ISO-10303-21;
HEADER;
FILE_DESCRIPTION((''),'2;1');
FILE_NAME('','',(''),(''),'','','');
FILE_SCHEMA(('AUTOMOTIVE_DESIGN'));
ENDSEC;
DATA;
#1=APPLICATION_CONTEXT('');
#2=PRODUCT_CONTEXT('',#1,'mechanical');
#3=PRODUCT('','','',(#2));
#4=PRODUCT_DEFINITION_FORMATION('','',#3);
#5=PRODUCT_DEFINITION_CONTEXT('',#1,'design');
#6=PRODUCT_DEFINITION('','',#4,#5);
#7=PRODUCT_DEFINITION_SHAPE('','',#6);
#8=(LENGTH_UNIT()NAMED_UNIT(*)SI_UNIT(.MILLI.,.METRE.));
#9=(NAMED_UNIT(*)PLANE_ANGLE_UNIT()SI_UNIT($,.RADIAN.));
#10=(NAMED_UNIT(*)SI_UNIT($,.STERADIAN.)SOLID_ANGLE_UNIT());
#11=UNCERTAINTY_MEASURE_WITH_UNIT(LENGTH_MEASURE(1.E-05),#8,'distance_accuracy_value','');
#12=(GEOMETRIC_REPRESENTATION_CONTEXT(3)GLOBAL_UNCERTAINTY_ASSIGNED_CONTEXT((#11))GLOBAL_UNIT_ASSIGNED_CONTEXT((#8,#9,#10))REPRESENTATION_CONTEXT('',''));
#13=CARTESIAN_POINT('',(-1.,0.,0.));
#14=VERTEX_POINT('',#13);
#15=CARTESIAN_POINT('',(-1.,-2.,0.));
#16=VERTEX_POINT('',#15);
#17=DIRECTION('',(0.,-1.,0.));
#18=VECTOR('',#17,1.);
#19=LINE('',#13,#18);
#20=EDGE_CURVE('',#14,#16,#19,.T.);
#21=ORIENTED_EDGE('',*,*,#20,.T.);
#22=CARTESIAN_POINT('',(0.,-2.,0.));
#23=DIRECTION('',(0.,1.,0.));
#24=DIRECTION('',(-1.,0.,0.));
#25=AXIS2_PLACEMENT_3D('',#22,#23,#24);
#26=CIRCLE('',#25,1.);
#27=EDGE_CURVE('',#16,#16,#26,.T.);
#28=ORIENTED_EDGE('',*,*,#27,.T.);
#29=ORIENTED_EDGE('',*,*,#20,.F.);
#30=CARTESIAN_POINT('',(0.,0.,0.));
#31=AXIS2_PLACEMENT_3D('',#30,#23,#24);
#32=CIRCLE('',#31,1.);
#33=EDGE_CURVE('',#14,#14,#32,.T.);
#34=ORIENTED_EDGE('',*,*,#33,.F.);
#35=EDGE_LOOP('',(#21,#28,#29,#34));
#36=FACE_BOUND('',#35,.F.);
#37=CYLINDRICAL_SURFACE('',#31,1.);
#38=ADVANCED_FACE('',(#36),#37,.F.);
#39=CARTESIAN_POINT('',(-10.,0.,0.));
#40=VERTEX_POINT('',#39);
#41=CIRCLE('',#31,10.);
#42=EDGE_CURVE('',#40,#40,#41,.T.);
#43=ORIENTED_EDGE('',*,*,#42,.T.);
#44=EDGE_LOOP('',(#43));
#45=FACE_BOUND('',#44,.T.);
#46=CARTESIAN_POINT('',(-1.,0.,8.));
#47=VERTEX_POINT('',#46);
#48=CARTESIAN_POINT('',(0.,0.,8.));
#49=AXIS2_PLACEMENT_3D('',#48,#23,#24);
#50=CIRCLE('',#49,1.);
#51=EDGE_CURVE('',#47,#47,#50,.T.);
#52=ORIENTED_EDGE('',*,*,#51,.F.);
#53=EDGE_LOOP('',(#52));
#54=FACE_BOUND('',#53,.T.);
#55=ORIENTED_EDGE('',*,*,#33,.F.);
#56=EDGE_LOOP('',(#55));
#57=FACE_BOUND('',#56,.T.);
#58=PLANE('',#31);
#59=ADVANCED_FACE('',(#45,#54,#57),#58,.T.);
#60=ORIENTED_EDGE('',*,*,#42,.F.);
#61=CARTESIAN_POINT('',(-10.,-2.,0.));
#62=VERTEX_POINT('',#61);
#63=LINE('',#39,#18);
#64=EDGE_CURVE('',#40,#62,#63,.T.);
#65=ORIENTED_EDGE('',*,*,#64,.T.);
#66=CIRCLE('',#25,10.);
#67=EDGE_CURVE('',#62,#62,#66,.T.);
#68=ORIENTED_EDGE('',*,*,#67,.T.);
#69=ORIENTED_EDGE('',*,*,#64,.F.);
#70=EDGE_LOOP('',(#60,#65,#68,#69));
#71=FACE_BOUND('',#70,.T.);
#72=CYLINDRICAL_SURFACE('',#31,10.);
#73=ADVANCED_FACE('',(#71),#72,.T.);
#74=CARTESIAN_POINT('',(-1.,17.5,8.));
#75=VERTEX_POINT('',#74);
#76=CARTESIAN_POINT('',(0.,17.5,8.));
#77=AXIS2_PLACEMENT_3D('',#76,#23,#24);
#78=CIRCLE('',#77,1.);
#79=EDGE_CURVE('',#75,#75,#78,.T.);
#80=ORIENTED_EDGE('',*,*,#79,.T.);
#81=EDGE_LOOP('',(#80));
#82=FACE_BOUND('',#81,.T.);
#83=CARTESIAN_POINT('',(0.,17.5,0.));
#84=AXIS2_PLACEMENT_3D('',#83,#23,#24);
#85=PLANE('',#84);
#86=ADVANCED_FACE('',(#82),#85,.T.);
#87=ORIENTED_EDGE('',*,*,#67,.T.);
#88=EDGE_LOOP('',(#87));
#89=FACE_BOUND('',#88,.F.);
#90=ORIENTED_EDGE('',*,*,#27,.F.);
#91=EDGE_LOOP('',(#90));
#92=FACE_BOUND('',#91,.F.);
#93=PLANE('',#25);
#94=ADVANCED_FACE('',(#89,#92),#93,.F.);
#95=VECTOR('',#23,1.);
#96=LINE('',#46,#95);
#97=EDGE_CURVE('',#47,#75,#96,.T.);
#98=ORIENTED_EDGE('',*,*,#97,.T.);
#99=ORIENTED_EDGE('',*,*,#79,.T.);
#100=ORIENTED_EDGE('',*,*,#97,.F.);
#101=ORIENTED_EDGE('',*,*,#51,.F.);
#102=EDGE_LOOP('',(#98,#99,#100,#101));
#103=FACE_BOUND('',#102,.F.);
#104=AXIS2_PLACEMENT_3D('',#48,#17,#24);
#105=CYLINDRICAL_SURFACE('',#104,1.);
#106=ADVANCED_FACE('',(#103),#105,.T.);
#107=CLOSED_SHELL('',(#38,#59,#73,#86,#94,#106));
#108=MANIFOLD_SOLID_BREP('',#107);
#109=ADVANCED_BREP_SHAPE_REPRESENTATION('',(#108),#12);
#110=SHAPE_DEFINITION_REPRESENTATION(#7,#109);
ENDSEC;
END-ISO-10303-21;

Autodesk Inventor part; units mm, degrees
ref_plane "YZ Plane" through (0, 0, 0) normal (1, 0, 0) x (0, 1, 0)
ref_plane "XZ Plane" through (0, 0, 0) normal (0, 1, 0) x (-1, 0, 0)
ref_plane "XY Plane" through (0, 0, 0) normal (0, 0, 1) x (1, 0, 0)
sketch "Sketch1" plane through (0, 0, 0) normal (0, 1, 0) x (-1, 0, 0)
  circle A0 centre (0, 0) radius 10
  circle A1 centre (0, 8) radius 1
  dimension "d0" = 20
  dimension "d3" = 2
sketch "Sketch2" plane through (0, 0, 0) normal (0, 1, 0) x (-1, 0, 0)
  circle A0 centre (0, 0) radius 10
  arc A1 (-5, 0) -> (5, 0) centre (0, 0) ccw
  arc A2 (-2.5, 0) -> (2.5, 0) centre (0, 0) ccw
  line L0 (5, 0) -> (2.5, 0)
  line L1 (-2.5, 0) -> (-5, 0)
  circle A3 centre (0, 8) radius 1
  circle A4 centre (0, 0) radius 1
  dimension "d4" = 20
  dimension "d5" = 10
  dimension "d6" = 5
  dimension "d7" = 2
  dimension "d12" = 2
extrude "Extrusion2" add sketch "Sketch2" against normal blind 2 contours A0 | L1 A2 L0 A1 | A3
extrude "Extrusion3" add sketch "Sketch1" along normal blind 17.5 contours A1
properties part number "C1"
